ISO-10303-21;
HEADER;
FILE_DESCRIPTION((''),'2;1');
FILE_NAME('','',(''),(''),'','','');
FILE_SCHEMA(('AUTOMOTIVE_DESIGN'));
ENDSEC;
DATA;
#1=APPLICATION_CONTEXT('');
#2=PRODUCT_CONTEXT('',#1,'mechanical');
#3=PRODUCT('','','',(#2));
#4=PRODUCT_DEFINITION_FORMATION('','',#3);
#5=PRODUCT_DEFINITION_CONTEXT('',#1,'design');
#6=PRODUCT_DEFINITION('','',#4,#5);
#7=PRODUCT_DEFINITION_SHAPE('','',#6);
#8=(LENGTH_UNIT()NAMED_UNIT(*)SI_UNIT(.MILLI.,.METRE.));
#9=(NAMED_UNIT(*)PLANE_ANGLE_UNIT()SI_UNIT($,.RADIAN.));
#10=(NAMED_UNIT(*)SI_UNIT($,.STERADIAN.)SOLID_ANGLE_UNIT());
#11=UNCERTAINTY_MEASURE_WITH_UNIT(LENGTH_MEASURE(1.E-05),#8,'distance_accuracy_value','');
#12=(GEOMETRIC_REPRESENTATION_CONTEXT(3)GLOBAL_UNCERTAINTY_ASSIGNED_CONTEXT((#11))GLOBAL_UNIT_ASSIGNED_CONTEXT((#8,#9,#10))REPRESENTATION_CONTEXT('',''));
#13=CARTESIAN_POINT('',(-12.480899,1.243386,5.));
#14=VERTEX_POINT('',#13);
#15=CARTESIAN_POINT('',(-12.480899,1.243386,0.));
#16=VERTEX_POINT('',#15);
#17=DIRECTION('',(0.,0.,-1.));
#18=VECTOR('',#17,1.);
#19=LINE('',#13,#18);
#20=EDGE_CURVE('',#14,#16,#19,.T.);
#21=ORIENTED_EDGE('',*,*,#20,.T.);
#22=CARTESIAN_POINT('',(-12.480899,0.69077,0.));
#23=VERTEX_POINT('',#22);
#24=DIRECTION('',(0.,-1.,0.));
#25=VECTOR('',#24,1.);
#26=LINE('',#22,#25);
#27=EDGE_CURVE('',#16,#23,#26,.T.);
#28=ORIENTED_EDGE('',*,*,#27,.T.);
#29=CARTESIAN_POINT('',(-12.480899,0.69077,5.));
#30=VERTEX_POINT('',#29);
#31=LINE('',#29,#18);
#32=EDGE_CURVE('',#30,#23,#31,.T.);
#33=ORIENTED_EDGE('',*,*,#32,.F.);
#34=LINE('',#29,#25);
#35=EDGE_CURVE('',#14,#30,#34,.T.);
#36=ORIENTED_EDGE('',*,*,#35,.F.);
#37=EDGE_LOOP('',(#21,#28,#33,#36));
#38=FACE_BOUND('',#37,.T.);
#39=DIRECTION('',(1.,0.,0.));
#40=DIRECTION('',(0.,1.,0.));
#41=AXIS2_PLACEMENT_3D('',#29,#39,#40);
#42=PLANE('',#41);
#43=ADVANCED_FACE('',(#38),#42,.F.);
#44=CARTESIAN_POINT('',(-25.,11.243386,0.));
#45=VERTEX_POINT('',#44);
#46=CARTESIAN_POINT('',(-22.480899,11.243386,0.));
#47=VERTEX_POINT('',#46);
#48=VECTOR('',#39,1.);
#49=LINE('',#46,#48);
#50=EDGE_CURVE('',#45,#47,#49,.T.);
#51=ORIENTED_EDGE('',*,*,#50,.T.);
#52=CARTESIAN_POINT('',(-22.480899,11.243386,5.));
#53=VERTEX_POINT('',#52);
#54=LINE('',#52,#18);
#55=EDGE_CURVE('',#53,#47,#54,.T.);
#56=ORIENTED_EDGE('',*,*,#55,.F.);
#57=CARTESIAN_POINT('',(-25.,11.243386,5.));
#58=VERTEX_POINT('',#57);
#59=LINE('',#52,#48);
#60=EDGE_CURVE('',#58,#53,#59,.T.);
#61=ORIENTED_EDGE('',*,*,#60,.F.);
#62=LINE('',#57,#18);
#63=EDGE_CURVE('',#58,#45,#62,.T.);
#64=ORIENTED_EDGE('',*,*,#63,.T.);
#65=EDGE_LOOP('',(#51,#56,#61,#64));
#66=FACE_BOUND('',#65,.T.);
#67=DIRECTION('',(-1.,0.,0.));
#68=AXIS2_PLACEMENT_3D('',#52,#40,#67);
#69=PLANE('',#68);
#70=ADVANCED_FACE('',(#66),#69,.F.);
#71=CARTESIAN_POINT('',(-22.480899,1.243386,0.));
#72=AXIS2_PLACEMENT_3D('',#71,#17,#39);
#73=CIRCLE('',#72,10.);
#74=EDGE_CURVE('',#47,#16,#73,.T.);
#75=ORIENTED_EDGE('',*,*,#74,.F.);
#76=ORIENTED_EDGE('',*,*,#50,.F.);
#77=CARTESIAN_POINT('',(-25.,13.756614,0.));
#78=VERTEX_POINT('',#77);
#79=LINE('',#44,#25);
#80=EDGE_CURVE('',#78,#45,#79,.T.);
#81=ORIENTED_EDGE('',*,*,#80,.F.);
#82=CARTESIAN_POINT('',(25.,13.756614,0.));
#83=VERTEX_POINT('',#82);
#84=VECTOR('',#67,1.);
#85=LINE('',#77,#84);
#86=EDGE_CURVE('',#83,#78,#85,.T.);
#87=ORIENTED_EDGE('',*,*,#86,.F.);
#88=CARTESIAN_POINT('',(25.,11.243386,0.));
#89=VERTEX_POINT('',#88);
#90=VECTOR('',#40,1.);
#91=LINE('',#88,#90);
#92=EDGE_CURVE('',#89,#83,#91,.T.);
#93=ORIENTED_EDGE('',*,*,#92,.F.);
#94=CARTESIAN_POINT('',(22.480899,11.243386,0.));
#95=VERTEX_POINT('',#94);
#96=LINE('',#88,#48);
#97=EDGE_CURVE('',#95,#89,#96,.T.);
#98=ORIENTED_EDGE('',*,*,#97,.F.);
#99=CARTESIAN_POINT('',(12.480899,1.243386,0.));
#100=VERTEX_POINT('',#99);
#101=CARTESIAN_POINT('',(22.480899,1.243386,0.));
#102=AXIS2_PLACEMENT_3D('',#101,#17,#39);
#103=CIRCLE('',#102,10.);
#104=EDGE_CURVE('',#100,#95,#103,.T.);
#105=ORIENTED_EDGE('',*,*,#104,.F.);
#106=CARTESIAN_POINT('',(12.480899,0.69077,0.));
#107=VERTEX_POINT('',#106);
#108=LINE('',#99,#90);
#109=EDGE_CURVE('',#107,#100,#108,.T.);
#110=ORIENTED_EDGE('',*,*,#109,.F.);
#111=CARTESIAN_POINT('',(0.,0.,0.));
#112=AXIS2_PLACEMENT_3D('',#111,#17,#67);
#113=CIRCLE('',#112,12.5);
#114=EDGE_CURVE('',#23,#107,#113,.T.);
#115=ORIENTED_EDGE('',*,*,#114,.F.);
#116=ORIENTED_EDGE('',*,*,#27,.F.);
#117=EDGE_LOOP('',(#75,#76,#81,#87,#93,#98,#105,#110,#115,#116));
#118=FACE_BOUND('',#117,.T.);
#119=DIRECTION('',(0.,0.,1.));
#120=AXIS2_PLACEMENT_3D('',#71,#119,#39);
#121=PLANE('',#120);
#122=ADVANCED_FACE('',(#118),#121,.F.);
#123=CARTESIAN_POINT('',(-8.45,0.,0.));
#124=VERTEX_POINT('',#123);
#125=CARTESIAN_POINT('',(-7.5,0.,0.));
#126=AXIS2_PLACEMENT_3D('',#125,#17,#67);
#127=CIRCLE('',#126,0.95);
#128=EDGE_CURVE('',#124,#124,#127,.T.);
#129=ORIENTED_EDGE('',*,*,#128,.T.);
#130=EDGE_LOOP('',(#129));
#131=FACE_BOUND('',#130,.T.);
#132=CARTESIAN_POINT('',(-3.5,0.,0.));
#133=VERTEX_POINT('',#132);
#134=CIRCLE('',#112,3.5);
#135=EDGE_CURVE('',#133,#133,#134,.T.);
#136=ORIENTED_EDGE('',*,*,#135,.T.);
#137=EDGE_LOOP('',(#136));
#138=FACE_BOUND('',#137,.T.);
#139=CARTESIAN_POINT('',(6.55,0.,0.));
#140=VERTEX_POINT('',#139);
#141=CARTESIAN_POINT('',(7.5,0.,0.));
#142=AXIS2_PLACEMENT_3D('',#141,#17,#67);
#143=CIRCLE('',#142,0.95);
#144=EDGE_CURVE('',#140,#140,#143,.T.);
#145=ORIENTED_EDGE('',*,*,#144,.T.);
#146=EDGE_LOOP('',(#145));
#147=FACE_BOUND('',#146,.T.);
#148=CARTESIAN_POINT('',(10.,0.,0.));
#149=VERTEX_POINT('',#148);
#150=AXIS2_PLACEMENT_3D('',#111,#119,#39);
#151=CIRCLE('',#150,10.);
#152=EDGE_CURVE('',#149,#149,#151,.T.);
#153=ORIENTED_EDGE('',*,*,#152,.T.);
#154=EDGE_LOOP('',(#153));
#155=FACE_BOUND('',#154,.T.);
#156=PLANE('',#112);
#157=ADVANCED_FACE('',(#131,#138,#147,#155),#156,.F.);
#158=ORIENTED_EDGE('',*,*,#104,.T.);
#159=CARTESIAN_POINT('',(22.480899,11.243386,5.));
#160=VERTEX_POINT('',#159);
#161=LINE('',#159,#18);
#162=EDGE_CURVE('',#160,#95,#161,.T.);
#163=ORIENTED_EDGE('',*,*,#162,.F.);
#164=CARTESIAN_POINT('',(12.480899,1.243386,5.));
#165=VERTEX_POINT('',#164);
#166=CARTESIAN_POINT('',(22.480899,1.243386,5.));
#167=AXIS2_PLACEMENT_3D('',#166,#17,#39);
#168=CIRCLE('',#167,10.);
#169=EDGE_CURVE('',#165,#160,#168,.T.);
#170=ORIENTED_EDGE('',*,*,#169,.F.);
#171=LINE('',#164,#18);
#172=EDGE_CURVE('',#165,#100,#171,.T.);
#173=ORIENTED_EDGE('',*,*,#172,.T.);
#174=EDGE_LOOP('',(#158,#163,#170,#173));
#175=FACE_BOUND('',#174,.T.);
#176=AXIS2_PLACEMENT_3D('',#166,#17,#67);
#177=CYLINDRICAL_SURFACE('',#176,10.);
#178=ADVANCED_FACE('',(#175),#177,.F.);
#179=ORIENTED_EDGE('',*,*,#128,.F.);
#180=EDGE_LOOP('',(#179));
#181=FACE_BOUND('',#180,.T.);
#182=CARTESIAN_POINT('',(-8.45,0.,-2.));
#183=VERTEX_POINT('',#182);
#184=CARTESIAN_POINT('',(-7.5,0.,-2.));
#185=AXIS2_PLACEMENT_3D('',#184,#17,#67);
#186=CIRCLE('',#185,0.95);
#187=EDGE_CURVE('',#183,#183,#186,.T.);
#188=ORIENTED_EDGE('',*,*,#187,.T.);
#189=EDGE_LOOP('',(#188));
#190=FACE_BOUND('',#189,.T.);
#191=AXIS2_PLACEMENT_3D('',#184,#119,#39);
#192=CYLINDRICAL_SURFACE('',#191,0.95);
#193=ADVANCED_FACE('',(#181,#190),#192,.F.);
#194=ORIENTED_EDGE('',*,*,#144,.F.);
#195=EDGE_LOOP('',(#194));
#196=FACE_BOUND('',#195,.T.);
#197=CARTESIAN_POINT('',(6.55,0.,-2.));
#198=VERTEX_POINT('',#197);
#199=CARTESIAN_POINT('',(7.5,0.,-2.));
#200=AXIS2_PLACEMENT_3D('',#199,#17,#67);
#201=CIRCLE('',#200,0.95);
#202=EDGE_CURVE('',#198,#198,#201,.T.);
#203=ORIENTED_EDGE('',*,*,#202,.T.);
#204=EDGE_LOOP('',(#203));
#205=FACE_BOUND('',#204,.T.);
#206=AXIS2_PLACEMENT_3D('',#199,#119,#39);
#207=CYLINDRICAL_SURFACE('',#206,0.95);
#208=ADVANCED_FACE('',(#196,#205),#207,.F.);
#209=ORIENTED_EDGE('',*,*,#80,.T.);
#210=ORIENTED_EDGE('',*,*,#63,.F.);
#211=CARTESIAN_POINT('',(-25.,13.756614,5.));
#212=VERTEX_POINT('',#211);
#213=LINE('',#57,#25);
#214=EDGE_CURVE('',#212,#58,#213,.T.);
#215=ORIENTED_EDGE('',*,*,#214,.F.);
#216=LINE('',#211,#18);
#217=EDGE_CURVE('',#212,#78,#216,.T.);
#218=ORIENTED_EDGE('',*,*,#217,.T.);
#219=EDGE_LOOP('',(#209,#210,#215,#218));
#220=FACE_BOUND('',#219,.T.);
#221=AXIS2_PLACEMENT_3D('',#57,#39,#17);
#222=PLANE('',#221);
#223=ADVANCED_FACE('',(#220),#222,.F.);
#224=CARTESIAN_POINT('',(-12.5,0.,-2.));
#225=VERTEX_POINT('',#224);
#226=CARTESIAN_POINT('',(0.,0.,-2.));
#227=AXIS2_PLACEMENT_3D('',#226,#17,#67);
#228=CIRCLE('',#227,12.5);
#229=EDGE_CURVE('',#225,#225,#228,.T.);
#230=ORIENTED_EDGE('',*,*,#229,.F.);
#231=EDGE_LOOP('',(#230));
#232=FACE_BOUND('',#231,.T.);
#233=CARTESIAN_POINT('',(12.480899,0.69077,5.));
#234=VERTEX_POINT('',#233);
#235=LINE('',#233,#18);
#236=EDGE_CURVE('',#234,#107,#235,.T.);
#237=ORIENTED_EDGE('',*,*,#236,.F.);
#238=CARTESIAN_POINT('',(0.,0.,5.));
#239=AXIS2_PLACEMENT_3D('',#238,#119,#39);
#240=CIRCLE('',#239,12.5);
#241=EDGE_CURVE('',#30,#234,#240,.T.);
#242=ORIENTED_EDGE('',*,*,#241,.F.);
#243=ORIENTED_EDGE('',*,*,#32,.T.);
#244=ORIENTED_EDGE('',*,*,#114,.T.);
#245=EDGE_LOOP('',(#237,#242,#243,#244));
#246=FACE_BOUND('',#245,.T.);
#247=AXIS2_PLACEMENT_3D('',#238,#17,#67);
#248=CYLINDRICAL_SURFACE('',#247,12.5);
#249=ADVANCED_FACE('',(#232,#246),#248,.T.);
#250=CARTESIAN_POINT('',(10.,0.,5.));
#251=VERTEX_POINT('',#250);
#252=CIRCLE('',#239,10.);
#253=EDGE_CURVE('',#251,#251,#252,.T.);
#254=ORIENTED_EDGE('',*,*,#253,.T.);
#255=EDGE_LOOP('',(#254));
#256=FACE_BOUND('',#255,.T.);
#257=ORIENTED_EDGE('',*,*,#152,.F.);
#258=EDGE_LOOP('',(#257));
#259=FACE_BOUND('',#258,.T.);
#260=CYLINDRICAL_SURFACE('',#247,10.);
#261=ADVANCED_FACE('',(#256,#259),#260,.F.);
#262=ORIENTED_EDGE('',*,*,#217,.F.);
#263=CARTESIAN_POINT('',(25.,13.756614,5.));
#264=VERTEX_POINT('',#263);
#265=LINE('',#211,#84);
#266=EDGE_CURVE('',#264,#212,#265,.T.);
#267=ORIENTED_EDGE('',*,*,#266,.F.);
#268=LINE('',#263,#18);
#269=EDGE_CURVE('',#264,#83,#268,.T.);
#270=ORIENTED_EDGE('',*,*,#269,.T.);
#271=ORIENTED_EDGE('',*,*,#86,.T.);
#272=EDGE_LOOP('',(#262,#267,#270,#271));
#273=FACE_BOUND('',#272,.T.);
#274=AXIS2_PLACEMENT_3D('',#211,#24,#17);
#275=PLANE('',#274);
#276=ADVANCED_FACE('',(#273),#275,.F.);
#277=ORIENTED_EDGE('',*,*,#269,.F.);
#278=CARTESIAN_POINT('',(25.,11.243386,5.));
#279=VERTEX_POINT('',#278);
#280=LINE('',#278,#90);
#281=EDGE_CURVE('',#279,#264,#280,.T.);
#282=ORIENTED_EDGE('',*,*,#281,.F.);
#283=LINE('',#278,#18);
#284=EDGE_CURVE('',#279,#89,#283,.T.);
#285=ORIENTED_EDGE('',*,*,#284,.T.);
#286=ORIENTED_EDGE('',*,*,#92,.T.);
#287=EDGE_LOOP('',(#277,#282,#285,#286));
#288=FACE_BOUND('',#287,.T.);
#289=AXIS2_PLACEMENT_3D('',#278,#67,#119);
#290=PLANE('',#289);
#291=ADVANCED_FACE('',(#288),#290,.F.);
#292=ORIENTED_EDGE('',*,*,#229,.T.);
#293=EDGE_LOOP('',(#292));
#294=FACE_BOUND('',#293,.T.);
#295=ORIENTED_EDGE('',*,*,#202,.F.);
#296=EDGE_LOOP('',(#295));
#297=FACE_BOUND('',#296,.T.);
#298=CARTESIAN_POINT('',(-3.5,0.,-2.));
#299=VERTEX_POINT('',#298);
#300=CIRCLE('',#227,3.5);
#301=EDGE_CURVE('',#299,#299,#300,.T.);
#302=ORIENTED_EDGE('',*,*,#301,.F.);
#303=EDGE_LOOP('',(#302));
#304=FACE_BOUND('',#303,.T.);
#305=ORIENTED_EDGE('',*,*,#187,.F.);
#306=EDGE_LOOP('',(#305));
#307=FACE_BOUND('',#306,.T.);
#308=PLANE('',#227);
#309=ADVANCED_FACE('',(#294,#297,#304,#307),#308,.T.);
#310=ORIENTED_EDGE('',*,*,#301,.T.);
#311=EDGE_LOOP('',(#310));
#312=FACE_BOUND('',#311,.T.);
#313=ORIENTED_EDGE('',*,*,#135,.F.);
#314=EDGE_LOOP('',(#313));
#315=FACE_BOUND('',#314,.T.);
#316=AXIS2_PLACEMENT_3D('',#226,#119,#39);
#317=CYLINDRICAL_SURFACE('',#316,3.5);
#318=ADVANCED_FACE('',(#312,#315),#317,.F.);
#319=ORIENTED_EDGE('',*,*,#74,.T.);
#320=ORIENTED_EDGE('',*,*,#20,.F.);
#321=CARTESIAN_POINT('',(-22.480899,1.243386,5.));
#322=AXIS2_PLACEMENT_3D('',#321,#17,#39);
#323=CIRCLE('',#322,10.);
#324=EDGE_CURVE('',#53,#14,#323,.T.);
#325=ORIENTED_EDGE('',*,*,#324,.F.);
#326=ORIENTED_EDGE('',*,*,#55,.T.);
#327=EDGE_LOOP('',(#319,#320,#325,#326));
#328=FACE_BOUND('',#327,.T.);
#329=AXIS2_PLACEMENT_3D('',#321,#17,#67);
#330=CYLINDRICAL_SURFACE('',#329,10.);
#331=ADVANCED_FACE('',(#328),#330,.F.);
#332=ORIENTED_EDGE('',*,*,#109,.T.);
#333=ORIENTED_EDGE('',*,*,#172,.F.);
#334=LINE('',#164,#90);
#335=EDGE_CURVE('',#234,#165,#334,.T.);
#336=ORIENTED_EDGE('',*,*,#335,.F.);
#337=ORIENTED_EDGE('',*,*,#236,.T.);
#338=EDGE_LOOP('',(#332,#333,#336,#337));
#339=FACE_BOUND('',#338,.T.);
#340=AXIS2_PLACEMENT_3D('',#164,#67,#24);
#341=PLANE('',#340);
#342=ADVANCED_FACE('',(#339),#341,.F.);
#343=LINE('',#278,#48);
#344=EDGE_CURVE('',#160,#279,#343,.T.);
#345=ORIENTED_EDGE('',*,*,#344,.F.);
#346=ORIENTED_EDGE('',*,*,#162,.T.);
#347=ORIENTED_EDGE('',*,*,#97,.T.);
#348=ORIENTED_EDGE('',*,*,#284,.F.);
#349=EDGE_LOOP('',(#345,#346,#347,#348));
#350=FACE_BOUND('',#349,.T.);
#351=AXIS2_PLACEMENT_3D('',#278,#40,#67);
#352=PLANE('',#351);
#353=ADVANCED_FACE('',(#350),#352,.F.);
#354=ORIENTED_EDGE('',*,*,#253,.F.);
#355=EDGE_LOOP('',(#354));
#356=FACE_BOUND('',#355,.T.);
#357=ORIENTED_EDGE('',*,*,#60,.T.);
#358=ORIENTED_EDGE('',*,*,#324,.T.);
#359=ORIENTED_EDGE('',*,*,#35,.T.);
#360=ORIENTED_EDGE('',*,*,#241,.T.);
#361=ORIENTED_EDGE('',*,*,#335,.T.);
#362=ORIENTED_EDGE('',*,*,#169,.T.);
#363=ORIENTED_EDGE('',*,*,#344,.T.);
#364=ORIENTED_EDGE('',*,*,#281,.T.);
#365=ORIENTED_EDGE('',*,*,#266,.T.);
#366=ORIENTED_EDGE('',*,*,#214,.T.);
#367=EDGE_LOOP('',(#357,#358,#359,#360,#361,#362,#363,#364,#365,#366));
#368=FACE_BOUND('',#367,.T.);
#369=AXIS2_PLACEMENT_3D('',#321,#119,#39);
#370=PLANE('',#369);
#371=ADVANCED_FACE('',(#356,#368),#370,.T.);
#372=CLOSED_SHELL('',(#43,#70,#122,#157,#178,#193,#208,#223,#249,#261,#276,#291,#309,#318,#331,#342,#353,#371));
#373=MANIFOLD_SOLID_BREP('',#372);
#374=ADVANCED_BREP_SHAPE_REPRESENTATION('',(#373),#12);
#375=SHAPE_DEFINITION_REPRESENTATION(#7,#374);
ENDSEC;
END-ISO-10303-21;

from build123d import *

# Parameters (mm, degrees)
SKETCH1_R           = 10
BOSS_EXTRUDE1_DEPTH = 5
BOSS_EXTRUDE3_START = 2
SKETCH3_R           = 12.5
SKETCH3_R_2         = 3.5
SKETCH3_R_3         = 0.95
BOSS_EXTRUDE3_DEPTH = 2


with BuildPart() as part:
    # Sketch1 → Boss-Extrude1 (new body)
    with BuildSketch(Plane.XY):
        with BuildLine():
            Line((-25, 13.756613757), (-25, 11.243386243))
            Line((-25, 11.243386243), (-22.480898871, 11.243386243))
            ThreePointArc((-22.480898871, 11.243386243), (-15.409831059, 8.314454055), (-12.480898871, 1.243386243))
            Line((-12.480898871, 1.243386243), (-12.480898871, 0.690770135))
            ThreePointArc((-12.480898871, 0.690770135), (0, -12.5), (12.480898871, 0.690770135))
            Line((12.480898871, 0.690770135), (12.480898871, 1.243386243))
            ThreePointArc((12.480898871, 1.243386243), (15.409831059, 8.314454055), (22.480898871, 11.243386243))
            Line((22.480898871, 11.243386243), (25, 11.243386243))
            Line((25, 11.243386243), (25, 13.756613757))
            Line((25, 13.756613757), (-25, 13.756613757))
        make_face()
        Circle(SKETCH1_R, mode=Mode.SUBTRACT)
    extrude(amount=BOSS_EXTRUDE1_DEPTH)

    # Sketch3 → Boss-Extrude3 (add)
    with BuildSketch(Plane(origin=(0, 0, 0), x_dir=(-1, 0, 0), z_dir=(0, 0, -1)).offset(BOSS_EXTRUDE3_START)):
        Circle(SKETCH3_R)
        Circle(SKETCH3_R_2, mode=Mode.SUBTRACT)
        with Locations((7.5, 0)):
            Circle(SKETCH3_R_3, mode=Mode.SUBTRACT)
        with Locations((-7.5, 0)):
            Circle(SKETCH3_R_3, mode=Mode.SUBTRACT)
    extrude(amount=-BOSS_EXTRUDE3_DEPTH)


solid = part.part
